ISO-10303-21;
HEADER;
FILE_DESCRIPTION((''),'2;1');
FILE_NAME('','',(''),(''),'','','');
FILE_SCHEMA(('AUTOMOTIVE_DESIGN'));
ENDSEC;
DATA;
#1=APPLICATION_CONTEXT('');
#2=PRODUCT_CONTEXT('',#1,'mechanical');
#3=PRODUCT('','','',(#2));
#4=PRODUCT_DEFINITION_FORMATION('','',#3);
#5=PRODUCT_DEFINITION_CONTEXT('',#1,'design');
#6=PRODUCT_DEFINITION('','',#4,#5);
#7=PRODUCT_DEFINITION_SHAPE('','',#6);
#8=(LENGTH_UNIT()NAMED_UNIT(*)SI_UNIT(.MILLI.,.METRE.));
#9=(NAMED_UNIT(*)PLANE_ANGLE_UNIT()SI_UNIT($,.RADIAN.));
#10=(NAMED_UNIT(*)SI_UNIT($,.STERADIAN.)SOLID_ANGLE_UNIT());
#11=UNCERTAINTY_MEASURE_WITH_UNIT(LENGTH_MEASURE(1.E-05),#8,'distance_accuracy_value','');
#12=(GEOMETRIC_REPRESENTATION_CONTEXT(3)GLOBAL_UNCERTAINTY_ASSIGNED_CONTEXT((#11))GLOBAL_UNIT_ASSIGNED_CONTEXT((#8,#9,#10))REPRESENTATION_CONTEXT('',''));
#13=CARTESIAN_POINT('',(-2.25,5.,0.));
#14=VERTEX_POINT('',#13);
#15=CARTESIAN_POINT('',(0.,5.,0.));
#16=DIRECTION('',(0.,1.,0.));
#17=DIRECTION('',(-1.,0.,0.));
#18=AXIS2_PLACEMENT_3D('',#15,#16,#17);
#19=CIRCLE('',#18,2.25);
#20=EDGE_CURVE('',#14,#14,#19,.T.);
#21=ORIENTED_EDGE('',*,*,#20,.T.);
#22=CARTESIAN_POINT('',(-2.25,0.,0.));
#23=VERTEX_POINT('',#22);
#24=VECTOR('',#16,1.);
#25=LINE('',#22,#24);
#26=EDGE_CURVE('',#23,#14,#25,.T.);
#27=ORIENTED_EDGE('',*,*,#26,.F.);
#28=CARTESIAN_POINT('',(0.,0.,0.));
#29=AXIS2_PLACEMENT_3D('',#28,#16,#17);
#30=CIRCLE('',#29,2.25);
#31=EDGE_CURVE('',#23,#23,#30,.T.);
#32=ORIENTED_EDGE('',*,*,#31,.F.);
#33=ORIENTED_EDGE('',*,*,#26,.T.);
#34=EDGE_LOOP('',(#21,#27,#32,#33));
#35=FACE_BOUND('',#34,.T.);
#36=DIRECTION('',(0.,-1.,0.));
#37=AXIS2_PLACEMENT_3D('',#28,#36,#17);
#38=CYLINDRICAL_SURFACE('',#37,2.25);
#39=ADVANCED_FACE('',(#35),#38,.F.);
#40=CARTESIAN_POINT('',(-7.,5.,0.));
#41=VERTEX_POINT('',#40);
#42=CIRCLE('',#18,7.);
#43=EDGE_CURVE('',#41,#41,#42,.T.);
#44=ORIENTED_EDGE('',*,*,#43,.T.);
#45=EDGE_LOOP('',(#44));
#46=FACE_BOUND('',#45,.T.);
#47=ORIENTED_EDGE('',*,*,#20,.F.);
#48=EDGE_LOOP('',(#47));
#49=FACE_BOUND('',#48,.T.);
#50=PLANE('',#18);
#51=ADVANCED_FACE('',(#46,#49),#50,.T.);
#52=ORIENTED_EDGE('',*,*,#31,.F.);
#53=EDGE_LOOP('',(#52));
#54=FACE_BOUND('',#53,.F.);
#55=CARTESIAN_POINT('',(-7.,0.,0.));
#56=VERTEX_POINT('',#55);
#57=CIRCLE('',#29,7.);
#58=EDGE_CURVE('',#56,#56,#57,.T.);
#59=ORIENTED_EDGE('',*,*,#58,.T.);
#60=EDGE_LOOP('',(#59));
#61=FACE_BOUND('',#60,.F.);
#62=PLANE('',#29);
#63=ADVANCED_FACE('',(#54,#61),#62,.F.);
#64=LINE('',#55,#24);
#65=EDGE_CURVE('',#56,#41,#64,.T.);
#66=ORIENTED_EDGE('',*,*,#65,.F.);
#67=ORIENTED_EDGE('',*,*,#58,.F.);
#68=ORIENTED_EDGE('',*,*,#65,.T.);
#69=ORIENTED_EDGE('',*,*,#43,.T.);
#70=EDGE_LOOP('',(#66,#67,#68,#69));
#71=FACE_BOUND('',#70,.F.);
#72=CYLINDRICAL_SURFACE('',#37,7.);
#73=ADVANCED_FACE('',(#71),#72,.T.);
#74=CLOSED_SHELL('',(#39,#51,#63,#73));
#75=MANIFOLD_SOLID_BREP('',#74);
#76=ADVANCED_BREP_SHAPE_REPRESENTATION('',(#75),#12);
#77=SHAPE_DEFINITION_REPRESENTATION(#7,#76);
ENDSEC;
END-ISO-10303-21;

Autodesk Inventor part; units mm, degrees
ref_plane "YZ Plane" through (0, 0, 0) normal (1, 0, 0) x (0, 1, 0)
ref_plane "XZ Plane" through (0, 0, 0) normal (0, 1, 0) x (-1, 0, 0)
ref_plane "XY Plane" through (0, 0, 0) normal (0, 0, 1) x (1, 0, 0)
sketch "スケッチ1" plane through (0, 0, 0) normal (0, 1, 0) x (-1, 0, 0)
  circle A0 centre (0, 0) radius 2.25
  circle A1 centre (0, 0) radius 7
  dimension "d0" = 4.5
  dimension "d1" = 14
extrude "押し出し1" add sketch "スケッチ1" along normal blind 5
properties part number "omu_3d_jo_4" material "ABS プラスチック"
